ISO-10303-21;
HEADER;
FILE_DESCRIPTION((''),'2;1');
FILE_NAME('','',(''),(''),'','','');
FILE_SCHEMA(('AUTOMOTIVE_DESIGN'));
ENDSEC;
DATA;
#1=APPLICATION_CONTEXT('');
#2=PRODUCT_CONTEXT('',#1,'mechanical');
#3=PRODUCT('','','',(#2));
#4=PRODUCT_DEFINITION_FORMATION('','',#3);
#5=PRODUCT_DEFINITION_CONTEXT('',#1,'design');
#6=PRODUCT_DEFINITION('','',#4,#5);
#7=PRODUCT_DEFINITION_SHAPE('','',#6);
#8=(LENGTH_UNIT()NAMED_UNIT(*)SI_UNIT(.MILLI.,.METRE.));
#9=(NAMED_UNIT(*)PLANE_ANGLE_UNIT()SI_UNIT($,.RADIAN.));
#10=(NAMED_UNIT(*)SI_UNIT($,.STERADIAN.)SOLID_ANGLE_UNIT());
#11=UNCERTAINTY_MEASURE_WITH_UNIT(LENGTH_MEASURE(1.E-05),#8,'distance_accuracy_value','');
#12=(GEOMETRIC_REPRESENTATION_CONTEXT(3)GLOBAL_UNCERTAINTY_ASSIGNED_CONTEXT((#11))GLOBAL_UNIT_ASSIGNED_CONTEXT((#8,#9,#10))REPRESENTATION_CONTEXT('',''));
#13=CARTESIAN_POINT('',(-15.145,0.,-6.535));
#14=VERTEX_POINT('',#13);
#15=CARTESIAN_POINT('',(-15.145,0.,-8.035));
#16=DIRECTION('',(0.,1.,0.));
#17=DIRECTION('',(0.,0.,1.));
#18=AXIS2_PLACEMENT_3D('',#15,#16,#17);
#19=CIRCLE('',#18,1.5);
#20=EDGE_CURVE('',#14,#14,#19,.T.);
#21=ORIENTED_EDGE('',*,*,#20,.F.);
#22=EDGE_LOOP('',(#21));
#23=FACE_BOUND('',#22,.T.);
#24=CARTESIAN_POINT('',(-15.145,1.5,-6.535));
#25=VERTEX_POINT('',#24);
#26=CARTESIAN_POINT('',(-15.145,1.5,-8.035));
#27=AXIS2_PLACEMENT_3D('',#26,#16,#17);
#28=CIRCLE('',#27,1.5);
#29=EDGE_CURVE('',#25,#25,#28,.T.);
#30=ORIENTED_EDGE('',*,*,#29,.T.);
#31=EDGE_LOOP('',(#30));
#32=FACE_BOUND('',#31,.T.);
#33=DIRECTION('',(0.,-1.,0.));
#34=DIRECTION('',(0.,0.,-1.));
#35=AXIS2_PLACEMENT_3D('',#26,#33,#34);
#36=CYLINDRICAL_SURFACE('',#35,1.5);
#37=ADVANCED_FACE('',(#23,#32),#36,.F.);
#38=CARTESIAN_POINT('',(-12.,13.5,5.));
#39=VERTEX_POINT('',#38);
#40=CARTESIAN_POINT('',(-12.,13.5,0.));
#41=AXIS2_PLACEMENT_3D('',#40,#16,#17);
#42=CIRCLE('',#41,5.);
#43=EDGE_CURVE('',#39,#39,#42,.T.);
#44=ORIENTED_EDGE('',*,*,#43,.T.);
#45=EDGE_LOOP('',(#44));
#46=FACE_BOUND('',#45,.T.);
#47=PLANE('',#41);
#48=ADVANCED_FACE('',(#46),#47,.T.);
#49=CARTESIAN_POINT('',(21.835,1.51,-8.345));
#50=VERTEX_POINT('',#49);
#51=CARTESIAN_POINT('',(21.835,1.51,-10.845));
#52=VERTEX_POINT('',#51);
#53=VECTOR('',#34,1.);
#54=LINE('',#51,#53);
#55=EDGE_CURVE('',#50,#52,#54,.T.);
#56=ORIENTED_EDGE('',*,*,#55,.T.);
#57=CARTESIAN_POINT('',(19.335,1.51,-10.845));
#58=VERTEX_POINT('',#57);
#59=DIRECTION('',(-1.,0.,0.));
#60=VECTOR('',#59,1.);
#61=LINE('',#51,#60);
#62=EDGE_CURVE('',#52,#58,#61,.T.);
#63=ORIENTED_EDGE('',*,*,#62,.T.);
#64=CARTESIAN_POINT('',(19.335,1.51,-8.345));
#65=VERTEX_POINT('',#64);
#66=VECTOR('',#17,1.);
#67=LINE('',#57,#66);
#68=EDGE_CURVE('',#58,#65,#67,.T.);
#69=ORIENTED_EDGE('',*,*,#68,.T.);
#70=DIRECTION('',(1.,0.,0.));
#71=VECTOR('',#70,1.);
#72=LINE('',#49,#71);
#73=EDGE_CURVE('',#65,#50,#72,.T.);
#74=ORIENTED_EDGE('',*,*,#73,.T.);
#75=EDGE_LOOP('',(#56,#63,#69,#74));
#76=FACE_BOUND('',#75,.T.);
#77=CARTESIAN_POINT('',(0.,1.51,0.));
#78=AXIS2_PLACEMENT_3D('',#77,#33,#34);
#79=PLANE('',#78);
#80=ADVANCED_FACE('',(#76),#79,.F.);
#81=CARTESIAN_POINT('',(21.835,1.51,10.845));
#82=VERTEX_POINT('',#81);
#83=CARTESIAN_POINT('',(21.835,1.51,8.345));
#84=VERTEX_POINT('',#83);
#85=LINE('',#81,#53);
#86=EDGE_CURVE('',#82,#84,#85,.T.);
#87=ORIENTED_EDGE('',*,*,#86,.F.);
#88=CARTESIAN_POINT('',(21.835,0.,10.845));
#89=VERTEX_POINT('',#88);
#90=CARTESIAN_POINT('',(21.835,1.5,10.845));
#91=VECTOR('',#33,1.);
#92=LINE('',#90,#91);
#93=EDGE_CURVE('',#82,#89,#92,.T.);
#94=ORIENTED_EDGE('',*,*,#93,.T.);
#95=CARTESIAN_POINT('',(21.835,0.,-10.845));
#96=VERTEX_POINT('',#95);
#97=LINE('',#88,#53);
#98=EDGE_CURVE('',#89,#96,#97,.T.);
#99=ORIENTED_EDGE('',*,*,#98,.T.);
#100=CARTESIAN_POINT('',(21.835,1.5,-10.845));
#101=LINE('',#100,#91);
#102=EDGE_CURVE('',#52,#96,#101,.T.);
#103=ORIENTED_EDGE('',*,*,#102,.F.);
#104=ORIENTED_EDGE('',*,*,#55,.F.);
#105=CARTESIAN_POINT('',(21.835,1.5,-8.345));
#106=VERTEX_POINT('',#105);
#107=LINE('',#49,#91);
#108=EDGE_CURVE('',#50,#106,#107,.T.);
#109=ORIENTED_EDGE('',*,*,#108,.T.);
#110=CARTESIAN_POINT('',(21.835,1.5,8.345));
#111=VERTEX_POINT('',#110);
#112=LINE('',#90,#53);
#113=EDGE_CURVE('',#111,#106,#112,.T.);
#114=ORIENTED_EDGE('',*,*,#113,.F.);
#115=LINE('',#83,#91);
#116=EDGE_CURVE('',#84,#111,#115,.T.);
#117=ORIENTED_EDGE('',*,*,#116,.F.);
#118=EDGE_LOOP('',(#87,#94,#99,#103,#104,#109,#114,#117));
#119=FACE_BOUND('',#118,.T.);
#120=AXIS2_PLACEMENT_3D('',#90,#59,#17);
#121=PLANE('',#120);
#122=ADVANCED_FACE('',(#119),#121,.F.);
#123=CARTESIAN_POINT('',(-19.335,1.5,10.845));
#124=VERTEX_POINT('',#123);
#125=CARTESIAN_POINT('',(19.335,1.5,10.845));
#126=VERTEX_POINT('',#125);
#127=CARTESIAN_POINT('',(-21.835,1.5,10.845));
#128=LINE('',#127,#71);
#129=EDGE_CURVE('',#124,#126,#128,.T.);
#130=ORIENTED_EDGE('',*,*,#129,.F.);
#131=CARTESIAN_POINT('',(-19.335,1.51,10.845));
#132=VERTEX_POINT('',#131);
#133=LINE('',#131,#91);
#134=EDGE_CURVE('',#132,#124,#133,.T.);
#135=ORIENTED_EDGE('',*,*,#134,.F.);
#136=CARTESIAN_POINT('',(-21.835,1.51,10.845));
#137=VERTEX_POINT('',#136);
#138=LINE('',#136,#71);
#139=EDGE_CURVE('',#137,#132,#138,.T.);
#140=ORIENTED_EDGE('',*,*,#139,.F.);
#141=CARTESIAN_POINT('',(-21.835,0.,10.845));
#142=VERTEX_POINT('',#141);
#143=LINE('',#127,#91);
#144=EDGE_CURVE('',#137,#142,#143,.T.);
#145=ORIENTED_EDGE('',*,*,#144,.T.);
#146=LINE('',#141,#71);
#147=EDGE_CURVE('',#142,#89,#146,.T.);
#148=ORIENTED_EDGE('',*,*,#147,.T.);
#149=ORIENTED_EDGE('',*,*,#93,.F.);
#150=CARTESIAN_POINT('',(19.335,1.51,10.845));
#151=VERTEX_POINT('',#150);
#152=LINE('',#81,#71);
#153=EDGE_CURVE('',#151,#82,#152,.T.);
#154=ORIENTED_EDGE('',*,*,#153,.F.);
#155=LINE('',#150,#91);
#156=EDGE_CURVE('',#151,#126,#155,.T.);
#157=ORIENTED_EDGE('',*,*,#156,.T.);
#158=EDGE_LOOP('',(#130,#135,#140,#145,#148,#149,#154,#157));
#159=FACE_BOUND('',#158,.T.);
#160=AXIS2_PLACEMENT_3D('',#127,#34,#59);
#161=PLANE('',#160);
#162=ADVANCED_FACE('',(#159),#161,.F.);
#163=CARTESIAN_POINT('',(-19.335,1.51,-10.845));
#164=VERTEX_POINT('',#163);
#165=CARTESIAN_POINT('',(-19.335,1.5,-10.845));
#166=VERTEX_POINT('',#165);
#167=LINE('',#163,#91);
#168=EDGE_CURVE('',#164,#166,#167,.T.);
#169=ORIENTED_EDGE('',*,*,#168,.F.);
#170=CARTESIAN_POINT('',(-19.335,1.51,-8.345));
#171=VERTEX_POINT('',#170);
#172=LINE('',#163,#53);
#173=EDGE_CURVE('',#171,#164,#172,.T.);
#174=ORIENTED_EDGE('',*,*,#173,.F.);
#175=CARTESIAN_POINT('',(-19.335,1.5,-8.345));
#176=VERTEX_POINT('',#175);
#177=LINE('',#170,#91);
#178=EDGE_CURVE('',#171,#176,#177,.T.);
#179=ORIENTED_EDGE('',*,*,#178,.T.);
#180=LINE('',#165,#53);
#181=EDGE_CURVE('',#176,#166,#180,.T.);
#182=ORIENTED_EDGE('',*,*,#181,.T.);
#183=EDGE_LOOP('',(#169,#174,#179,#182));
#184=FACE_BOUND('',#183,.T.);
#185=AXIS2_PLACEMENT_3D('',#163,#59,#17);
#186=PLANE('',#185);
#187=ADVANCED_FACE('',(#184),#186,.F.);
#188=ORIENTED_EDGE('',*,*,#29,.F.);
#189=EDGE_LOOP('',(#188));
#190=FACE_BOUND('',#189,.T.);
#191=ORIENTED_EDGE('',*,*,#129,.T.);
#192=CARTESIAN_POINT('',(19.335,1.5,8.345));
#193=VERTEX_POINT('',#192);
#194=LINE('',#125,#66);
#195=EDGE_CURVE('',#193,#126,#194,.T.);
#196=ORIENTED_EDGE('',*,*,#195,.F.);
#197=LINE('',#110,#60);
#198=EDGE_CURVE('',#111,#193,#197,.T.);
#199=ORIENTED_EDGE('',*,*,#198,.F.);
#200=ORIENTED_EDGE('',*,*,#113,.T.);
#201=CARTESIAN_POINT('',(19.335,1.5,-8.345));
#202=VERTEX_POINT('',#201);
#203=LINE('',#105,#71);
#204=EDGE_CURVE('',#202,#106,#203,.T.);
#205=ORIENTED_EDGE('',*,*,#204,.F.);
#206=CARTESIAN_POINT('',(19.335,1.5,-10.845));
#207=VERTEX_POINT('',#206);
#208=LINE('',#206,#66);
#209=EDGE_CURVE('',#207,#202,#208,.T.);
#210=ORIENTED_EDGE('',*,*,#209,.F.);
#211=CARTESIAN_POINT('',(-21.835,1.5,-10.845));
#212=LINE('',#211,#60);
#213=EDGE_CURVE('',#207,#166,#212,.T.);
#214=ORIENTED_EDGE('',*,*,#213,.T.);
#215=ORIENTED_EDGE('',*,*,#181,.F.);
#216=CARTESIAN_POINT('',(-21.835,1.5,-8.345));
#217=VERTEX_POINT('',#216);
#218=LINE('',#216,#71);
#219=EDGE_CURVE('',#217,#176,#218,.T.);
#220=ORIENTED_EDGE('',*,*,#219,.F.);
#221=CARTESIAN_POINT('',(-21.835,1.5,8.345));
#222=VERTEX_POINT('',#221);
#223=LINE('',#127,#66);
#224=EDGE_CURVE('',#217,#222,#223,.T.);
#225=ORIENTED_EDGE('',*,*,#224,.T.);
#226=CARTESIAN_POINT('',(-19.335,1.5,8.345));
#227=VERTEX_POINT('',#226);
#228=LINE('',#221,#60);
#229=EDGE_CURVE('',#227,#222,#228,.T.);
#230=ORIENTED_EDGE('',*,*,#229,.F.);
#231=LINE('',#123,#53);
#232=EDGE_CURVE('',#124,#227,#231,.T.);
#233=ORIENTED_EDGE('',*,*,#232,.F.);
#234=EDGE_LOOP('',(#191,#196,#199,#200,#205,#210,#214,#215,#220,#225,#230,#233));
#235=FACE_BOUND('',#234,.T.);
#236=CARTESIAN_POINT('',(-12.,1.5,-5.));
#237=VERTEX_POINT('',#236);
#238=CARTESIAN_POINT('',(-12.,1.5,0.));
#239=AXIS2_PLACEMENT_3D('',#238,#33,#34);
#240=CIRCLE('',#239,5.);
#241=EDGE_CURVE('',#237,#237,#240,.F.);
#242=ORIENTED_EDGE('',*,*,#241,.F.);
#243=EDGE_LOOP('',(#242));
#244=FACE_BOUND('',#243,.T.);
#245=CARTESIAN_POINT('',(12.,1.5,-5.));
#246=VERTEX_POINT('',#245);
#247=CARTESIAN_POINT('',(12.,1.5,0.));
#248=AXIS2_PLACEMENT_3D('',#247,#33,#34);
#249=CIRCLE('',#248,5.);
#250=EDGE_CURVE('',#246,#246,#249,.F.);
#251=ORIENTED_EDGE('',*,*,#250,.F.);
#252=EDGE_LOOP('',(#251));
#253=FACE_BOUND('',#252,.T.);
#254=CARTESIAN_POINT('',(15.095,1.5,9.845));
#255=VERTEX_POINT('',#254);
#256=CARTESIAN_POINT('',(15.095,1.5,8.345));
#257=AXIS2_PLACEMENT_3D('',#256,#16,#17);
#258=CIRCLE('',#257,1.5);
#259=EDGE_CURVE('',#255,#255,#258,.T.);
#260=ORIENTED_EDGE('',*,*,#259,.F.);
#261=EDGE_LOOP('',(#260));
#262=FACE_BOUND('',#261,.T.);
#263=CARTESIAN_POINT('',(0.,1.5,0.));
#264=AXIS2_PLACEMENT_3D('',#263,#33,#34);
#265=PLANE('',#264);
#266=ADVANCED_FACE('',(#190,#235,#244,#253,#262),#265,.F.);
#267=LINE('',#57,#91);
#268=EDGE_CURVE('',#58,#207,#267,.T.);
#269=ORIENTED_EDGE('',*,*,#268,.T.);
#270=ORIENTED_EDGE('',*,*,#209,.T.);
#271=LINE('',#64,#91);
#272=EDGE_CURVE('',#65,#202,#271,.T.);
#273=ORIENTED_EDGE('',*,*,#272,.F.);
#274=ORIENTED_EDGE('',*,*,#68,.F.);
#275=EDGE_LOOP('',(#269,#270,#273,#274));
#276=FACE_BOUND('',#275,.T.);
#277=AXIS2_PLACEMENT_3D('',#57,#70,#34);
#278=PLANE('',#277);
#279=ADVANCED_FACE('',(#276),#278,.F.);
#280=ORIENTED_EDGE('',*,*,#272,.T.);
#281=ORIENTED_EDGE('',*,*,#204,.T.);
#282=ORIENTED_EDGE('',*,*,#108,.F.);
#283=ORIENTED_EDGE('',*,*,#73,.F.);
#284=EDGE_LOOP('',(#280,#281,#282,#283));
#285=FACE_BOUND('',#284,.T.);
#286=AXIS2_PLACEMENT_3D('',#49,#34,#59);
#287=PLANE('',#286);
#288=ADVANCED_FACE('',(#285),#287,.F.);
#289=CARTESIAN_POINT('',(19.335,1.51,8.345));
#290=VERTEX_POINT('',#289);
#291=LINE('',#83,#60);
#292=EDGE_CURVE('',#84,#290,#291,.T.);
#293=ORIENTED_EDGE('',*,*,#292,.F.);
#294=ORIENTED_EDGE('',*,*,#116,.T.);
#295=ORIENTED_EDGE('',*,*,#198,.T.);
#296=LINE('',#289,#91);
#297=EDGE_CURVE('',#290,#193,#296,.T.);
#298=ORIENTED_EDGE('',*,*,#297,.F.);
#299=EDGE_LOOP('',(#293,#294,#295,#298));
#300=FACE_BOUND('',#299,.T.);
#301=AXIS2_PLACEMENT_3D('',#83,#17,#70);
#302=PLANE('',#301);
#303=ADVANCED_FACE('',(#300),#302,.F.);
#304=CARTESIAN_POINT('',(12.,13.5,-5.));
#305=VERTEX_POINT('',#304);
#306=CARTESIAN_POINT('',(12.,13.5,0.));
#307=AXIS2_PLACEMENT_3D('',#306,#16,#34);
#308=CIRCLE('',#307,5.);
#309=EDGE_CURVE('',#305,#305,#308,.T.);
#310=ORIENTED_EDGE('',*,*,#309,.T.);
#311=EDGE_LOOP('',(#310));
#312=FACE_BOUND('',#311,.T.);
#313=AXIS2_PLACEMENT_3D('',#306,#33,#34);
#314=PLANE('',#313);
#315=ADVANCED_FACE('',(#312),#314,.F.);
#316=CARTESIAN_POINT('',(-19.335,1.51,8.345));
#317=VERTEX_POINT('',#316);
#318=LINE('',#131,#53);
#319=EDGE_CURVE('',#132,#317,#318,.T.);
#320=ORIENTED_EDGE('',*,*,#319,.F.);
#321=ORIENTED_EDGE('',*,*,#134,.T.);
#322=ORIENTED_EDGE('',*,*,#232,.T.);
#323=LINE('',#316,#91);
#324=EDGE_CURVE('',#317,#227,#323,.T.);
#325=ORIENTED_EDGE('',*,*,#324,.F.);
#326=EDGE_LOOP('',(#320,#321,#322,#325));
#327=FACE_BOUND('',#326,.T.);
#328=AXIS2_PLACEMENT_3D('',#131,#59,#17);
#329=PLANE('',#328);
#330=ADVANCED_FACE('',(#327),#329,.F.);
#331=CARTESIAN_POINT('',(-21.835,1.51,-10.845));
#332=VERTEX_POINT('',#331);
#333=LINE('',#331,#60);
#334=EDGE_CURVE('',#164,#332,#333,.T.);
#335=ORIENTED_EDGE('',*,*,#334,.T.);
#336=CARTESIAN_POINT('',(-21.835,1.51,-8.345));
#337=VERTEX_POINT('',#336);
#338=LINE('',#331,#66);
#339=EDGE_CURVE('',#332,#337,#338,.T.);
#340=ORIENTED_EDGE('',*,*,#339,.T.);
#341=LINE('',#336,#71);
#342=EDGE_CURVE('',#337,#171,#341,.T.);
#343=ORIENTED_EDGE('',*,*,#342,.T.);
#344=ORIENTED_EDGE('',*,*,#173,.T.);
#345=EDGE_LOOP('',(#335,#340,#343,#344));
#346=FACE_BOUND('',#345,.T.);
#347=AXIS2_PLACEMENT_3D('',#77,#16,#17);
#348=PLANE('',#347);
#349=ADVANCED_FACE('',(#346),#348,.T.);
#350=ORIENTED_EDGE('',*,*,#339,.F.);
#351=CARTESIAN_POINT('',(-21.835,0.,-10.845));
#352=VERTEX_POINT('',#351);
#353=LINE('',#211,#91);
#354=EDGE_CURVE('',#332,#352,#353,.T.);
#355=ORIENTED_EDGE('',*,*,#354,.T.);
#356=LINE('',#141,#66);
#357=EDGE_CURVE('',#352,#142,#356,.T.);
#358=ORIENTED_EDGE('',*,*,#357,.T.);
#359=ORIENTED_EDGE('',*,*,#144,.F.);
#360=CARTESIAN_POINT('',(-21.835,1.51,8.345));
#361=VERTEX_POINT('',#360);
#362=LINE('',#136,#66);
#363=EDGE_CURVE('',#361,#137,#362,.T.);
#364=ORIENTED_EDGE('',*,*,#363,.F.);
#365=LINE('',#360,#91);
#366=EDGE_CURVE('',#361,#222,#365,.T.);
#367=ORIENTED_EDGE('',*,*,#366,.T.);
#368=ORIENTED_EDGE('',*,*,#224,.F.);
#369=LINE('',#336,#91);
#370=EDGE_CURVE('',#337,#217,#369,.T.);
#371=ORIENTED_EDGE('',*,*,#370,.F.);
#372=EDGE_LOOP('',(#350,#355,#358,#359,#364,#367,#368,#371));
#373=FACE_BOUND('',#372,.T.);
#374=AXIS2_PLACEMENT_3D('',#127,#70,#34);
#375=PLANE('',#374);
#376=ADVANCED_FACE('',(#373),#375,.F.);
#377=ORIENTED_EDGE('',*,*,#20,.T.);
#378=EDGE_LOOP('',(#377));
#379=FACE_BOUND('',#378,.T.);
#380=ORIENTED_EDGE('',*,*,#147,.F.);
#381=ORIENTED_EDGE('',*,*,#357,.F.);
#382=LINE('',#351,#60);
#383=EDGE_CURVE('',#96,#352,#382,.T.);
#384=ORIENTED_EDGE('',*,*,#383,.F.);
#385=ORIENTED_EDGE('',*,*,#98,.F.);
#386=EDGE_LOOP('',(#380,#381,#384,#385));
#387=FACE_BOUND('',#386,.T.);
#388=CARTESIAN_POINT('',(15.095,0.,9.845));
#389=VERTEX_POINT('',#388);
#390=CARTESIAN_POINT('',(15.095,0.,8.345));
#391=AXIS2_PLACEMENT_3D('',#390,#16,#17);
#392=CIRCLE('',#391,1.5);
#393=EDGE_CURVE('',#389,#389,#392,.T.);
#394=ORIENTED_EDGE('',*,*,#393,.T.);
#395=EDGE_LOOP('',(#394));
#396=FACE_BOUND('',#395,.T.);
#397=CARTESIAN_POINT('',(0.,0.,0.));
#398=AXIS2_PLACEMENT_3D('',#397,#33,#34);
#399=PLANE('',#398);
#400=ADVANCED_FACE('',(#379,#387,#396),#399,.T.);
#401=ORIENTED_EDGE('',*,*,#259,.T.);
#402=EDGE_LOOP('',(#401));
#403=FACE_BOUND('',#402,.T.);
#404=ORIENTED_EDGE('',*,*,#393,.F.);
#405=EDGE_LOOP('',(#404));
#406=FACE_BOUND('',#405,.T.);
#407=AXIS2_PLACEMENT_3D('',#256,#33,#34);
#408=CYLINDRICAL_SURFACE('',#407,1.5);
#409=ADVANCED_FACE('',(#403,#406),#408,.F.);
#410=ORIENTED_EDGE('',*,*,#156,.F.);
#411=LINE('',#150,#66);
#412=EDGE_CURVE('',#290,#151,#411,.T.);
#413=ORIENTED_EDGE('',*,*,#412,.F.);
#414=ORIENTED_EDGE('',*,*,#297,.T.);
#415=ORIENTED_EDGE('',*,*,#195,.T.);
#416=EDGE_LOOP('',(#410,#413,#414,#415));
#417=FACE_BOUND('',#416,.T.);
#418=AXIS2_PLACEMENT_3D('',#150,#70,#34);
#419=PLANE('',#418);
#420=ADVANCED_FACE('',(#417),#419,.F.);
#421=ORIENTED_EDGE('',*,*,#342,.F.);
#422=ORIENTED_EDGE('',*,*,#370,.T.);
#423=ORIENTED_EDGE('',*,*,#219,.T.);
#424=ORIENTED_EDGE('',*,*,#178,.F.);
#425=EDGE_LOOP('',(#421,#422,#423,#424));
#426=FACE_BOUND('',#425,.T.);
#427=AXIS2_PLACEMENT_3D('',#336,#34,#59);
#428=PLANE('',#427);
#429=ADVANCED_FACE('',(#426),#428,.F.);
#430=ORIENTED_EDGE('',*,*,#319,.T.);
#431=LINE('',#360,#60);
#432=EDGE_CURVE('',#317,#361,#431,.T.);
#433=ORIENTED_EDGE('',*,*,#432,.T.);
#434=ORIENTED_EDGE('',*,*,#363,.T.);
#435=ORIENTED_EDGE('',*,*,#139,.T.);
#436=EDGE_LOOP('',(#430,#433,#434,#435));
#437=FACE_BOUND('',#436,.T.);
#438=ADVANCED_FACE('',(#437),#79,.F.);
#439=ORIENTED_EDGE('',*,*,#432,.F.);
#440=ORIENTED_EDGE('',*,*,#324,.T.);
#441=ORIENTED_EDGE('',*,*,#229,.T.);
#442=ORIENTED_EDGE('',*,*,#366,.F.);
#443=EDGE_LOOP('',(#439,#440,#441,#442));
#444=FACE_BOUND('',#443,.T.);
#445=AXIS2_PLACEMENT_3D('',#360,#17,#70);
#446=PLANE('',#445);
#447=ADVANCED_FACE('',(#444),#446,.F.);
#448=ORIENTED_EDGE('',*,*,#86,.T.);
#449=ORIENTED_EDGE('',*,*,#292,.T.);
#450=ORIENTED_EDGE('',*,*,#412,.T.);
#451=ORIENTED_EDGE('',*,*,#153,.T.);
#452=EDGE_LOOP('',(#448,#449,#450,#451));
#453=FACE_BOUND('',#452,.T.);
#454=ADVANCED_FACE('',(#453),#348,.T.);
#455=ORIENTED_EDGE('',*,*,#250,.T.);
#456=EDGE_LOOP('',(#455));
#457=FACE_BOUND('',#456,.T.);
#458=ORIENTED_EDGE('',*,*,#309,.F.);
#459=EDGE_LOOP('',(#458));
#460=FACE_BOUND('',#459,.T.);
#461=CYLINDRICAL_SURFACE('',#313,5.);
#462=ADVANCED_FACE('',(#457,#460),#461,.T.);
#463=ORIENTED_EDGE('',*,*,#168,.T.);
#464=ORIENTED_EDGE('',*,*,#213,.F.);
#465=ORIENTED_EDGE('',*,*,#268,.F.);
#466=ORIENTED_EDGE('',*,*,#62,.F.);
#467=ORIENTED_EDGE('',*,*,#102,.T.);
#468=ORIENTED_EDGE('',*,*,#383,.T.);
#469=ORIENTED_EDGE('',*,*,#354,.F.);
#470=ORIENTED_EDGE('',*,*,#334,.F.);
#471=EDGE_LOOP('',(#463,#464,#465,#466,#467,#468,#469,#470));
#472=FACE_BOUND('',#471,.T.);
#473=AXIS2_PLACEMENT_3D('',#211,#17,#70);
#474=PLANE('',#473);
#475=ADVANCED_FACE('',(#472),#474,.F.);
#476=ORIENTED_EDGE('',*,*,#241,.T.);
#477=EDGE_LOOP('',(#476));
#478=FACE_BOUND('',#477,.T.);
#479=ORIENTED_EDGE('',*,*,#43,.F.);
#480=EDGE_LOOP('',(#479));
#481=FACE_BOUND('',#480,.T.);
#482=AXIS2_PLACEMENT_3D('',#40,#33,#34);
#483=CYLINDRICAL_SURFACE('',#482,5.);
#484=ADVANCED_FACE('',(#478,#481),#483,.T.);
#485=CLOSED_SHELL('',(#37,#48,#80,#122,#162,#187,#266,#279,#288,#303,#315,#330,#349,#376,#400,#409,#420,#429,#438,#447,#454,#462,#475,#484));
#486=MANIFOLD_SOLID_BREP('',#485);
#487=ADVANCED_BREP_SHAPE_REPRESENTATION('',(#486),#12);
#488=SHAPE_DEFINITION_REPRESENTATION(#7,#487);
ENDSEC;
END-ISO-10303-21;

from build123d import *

# Parameters (mm, degrees)
SKETCH1_W           = 43.67
SKETCH1_H           = 21.69
SKETCH1_R           = 1.5
BOSS_EXTRUDE1_DEPTH = 1.5
SKETCH2_W           = 2.5
SKETCH2_H           = 2.5
BOSS_EXTRUDE2_DEPTH = 0.01
SKETCH3_W           = 2.5
SKETCH3_H           = 2.5
BOSS_EXTRUDE3_DEPTH = 0.01
SKETCH4_R           = 5
BOSS_EXTRUDE4_DEPTH = 12


with BuildPart() as part:
    # Sketch1 → Boss-Extrude1 (new body)
    with BuildSketch(Plane(origin=(0, 0, 0), x_dir=(1, 0, 0), z_dir=(0, 1, 0))):
        Rectangle(SKETCH1_W, SKETCH1_H)
        with Locations(Location((-15.145, 8.035, 0), (0, 0, 270))):
            Circle(SKETCH1_R, mode=Mode.SUBTRACT)
        with Locations(Location((15.095, -8.345, 0), (0, 0, 270))):
            Circle(SKETCH1_R, mode=Mode.SUBTRACT)
    extrude(amount=BOSS_EXTRUDE1_DEPTH)

    # Sketch2 → Boss-Extrude2 (add)
    with BuildSketch(Plane(origin=(0, 1.5, 0), x_dir=(1, 0, 0), z_dir=(0, 1, 0))):
        with Locations((-20.585, 9.595)):
            Rectangle(SKETCH2_W, SKETCH2_H)
        with Locations((-20.585, -9.595)):
            Rectangle(SKETCH2_W, SKETCH2_H)
    extrude(amount=BOSS_EXTRUDE2_DEPTH)

    # Sketch3 → Boss-Extrude3 (add)
    with BuildSketch(Plane(origin=(0, 1.5, 0), x_dir=(1, 0, 0), z_dir=(0, 1, 0))):
        with Locations((20.585, 9.595)):
            Rectangle(SKETCH3_W, SKETCH3_H)
        with Locations((20.585, -9.595)):
            Rectangle(SKETCH3_W, SKETCH3_H)
    extrude(amount=BOSS_EXTRUDE3_DEPTH)

    # Sketch4 → Boss-Extrude4 (add)
    with BuildSketch(Plane(origin=(0, 1.5, 0), x_dir=(1, 0, 0), z_dir=(0, 1, 0))):
        with Locations(Location((-12, 0, 0), (0, 0, 90))):
            Circle(SKETCH4_R)
        with Locations(Location((12, 0, 0), (0, 0, 90))):
            Circle(SKETCH4_R)
    extrude(amount=BOSS_EXTRUDE4_DEPTH)


solid = part.part
